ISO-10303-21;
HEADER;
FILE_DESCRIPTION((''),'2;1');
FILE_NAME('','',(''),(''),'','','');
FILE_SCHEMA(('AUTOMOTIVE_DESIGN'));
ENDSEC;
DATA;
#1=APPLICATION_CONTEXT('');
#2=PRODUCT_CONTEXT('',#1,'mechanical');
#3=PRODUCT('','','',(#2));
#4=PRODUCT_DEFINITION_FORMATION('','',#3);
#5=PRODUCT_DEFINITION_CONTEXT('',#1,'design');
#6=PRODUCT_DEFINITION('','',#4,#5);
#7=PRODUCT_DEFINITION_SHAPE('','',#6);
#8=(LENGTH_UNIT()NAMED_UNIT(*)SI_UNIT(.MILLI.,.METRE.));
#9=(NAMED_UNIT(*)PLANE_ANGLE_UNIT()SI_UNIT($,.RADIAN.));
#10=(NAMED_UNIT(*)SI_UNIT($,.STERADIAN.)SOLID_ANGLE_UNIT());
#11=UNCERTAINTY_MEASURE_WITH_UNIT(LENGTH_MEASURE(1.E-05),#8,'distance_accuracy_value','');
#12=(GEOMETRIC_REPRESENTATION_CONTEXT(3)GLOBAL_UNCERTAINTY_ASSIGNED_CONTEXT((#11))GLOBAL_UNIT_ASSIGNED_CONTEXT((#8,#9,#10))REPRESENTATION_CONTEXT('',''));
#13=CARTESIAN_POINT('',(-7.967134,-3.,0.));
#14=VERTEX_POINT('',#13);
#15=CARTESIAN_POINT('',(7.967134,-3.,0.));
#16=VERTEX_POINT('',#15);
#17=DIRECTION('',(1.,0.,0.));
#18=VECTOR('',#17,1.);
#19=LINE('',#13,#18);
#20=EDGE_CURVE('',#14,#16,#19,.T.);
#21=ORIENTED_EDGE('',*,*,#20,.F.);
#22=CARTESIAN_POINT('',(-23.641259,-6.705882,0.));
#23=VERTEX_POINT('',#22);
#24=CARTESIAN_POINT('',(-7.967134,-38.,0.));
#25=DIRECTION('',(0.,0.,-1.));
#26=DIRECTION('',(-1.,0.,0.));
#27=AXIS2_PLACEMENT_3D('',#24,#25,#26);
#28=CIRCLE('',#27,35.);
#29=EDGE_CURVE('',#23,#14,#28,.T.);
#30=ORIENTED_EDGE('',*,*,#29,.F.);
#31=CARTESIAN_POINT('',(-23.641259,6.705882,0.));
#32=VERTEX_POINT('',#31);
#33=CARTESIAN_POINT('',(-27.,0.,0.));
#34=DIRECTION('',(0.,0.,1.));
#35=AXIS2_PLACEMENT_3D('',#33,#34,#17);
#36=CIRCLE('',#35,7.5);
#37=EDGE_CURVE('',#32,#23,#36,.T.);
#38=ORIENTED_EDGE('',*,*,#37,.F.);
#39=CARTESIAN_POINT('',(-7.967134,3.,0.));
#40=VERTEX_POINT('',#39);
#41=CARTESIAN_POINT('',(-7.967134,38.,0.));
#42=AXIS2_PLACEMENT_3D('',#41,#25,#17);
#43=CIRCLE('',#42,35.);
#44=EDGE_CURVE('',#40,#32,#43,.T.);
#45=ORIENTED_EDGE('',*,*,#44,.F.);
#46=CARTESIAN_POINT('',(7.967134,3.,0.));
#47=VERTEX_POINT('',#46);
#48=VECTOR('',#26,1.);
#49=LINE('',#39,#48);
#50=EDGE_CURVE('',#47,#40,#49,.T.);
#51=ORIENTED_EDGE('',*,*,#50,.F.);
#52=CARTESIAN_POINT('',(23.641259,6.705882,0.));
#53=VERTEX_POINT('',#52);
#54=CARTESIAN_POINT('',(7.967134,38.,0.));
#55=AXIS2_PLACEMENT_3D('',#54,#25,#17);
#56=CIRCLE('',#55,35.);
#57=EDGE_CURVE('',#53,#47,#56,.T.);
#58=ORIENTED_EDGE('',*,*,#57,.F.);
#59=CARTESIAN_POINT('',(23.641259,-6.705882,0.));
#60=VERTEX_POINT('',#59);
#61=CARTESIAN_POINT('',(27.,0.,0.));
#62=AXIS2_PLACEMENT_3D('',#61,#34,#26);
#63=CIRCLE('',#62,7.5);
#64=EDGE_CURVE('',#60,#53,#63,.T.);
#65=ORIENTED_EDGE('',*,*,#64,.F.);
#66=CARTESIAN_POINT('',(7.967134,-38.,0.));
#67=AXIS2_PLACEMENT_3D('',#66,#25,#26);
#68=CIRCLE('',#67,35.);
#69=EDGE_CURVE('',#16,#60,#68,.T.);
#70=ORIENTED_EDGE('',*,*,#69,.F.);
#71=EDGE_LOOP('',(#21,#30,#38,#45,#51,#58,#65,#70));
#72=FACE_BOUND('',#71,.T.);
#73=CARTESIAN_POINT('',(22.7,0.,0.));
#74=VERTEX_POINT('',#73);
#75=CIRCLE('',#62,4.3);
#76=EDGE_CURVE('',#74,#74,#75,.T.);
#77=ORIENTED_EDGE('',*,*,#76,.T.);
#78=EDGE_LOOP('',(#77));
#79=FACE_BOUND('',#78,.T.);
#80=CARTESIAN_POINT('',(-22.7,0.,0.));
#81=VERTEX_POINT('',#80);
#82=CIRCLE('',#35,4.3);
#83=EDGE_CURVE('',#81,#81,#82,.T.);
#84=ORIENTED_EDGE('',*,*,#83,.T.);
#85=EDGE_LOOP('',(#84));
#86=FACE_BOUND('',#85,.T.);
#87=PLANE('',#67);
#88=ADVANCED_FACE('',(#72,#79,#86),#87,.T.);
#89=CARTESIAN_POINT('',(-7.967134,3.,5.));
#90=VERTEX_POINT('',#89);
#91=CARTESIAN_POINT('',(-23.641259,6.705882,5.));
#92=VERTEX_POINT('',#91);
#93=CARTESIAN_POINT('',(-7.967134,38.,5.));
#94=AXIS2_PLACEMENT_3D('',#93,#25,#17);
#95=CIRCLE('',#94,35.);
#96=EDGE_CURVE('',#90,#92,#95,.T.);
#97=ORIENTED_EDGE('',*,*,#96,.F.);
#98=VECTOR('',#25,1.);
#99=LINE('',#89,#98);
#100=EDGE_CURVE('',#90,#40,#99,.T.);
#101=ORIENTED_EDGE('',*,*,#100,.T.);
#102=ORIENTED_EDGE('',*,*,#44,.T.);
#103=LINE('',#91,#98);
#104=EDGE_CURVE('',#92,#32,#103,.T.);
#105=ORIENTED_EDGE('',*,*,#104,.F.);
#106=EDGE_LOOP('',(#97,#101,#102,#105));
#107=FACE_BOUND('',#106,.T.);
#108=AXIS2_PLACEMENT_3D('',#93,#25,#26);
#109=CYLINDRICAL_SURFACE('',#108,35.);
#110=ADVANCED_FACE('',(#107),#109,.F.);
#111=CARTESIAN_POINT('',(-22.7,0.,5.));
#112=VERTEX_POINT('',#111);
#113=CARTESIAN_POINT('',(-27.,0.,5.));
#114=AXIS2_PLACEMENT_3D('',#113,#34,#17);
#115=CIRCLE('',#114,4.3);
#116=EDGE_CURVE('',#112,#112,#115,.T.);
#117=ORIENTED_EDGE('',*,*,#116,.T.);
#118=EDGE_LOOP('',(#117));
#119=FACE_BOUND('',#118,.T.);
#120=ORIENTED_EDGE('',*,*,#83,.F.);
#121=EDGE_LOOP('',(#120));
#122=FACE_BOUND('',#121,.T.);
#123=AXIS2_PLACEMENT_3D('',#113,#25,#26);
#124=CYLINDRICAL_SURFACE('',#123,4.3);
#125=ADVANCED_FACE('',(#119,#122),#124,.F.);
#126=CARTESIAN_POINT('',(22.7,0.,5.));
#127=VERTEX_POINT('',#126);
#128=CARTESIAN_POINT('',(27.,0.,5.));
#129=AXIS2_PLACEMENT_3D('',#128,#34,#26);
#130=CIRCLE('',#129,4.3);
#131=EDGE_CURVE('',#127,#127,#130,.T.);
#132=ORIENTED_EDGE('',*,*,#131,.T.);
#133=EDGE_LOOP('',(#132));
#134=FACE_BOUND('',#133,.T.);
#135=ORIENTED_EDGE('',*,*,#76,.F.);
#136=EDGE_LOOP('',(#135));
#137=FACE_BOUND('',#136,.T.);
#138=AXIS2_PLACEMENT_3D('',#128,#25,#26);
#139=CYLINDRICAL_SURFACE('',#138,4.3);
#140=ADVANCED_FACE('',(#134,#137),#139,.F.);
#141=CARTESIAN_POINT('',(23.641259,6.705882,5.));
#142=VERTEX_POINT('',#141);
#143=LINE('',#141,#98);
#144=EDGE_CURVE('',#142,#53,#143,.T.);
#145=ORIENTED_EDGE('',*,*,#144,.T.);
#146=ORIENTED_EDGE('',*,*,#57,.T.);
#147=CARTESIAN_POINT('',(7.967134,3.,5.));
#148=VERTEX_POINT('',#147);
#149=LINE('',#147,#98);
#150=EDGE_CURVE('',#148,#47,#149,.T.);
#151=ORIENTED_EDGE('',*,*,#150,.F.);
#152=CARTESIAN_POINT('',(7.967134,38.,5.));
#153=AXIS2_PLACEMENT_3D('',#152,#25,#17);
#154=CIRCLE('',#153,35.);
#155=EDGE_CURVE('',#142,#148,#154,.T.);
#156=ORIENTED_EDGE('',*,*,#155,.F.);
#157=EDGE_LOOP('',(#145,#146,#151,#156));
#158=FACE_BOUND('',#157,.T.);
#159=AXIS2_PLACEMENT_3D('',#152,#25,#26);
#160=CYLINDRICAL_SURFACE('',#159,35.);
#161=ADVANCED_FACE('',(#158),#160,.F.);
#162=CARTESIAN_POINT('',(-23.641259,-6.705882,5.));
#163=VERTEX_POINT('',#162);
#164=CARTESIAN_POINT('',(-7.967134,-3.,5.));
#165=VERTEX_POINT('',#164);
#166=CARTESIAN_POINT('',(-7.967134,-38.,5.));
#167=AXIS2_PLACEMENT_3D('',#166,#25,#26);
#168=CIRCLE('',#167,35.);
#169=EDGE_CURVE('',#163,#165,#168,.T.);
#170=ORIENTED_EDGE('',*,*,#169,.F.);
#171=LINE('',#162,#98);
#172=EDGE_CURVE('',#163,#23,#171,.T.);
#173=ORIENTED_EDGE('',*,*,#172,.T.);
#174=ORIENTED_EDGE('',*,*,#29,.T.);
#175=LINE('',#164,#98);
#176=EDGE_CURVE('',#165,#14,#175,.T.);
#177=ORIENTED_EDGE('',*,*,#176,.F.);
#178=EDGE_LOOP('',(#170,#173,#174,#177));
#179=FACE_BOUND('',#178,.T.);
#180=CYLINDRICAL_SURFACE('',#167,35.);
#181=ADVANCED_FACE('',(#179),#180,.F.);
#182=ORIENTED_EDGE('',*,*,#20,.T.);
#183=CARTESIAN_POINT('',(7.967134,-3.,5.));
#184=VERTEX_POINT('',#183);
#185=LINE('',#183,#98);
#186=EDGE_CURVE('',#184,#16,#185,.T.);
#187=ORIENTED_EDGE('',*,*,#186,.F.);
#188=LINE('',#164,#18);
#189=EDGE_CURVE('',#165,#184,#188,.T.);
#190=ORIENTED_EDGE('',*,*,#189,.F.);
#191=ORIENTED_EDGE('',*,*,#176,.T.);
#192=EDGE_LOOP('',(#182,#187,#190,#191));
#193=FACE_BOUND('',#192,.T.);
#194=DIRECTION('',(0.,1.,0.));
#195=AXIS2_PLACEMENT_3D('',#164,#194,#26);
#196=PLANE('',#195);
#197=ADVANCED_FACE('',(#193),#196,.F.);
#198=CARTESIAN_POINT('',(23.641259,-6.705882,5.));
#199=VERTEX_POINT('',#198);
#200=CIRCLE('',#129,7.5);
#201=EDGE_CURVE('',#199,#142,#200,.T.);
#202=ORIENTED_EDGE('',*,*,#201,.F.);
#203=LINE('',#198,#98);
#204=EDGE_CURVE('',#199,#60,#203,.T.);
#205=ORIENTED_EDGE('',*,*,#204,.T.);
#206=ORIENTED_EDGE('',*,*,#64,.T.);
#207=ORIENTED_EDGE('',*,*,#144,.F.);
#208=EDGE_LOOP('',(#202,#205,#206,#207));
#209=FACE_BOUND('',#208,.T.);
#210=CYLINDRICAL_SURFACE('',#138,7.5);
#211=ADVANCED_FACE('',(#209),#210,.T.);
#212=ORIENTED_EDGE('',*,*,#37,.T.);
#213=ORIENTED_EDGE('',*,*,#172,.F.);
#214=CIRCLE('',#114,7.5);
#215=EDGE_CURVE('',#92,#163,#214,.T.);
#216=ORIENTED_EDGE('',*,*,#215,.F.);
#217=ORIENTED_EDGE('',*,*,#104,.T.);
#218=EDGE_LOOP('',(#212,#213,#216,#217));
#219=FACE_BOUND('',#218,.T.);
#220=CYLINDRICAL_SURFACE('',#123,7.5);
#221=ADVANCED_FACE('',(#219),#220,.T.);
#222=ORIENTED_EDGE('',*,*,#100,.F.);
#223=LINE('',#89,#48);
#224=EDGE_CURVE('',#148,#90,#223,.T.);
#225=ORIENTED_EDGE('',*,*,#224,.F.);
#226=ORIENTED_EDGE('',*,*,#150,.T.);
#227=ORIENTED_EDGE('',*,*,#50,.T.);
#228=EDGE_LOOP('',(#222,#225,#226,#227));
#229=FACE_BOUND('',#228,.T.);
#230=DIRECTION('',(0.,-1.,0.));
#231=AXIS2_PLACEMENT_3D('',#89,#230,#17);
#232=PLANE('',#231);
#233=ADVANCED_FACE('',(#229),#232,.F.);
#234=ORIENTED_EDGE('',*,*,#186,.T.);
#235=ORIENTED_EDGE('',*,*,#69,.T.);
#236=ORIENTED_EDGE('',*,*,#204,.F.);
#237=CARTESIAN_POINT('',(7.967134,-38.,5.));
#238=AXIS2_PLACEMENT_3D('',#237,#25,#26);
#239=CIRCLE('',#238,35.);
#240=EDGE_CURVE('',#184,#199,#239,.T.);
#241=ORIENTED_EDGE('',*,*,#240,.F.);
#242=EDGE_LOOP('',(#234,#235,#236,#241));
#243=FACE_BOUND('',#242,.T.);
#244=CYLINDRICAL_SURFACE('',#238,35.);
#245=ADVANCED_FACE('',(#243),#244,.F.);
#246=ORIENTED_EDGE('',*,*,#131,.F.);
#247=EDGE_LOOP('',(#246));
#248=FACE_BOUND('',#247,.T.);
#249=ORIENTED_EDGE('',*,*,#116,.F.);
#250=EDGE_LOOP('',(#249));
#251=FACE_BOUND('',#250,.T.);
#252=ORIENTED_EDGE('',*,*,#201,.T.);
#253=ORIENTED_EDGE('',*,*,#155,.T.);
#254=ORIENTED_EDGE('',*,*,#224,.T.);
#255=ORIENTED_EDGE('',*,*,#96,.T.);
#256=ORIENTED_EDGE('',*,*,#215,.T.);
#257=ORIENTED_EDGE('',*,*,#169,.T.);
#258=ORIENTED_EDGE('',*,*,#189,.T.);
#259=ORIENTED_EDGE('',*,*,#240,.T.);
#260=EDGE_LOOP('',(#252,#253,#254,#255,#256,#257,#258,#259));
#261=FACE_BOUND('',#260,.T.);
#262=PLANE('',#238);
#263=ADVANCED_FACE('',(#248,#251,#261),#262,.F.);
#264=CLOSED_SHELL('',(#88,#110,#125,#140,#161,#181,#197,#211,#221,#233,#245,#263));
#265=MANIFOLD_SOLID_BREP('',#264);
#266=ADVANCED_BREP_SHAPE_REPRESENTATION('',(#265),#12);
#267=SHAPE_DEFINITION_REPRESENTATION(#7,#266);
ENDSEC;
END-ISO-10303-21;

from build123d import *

# Parameters (mm, degrees)
CROQUIS1_R              = 4.3
SALIENTE_EXTRUIR1_DEPTH = 5


with BuildPart() as part:
    # Croquis1 → Saliente-Extruir1 (new body)
    with BuildSketch(Plane.XY):
        with BuildLine():
            Line((-7.967133689, 3), (7.967133689, 3))
            ThreePointArc((7.967133689, 3), (16.020266072, 3.939068439), (23.641258886, 6.705882353))
            ThreePointArc((23.641258886, 6.705882353), (34.5, 0), (23.641258886, -6.705882353))
            ThreePointArc((23.641258886, -6.705882353), (16.020266072, -3.939068439), (7.967133689, -3))
            Line((7.967133689, -3), (-7.967133689, -3))
            ThreePointArc((-7.967133689, -3), (-16.020266072, -3.939068439), (-23.641258886, -6.705882353))
            ThreePointArc((-23.641258886, -6.705882353), (-34.5, 0), (-23.641258886, 6.705882353))
            ThreePointArc((-23.641258886, 6.705882353), (-16.020266072, 3.939068439), (-7.967133689, 3))
        make_face()
        with Locations((-27, 0)):
            Circle(CROQUIS1_R, mode=Mode.SUBTRACT)
        with Locations((27, 0)):
            Circle(CROQUIS1_R, mode=Mode.SUBTRACT)
    extrude(amount=SALIENTE_EXTRUIR1_DEPTH)


solid = part.part
